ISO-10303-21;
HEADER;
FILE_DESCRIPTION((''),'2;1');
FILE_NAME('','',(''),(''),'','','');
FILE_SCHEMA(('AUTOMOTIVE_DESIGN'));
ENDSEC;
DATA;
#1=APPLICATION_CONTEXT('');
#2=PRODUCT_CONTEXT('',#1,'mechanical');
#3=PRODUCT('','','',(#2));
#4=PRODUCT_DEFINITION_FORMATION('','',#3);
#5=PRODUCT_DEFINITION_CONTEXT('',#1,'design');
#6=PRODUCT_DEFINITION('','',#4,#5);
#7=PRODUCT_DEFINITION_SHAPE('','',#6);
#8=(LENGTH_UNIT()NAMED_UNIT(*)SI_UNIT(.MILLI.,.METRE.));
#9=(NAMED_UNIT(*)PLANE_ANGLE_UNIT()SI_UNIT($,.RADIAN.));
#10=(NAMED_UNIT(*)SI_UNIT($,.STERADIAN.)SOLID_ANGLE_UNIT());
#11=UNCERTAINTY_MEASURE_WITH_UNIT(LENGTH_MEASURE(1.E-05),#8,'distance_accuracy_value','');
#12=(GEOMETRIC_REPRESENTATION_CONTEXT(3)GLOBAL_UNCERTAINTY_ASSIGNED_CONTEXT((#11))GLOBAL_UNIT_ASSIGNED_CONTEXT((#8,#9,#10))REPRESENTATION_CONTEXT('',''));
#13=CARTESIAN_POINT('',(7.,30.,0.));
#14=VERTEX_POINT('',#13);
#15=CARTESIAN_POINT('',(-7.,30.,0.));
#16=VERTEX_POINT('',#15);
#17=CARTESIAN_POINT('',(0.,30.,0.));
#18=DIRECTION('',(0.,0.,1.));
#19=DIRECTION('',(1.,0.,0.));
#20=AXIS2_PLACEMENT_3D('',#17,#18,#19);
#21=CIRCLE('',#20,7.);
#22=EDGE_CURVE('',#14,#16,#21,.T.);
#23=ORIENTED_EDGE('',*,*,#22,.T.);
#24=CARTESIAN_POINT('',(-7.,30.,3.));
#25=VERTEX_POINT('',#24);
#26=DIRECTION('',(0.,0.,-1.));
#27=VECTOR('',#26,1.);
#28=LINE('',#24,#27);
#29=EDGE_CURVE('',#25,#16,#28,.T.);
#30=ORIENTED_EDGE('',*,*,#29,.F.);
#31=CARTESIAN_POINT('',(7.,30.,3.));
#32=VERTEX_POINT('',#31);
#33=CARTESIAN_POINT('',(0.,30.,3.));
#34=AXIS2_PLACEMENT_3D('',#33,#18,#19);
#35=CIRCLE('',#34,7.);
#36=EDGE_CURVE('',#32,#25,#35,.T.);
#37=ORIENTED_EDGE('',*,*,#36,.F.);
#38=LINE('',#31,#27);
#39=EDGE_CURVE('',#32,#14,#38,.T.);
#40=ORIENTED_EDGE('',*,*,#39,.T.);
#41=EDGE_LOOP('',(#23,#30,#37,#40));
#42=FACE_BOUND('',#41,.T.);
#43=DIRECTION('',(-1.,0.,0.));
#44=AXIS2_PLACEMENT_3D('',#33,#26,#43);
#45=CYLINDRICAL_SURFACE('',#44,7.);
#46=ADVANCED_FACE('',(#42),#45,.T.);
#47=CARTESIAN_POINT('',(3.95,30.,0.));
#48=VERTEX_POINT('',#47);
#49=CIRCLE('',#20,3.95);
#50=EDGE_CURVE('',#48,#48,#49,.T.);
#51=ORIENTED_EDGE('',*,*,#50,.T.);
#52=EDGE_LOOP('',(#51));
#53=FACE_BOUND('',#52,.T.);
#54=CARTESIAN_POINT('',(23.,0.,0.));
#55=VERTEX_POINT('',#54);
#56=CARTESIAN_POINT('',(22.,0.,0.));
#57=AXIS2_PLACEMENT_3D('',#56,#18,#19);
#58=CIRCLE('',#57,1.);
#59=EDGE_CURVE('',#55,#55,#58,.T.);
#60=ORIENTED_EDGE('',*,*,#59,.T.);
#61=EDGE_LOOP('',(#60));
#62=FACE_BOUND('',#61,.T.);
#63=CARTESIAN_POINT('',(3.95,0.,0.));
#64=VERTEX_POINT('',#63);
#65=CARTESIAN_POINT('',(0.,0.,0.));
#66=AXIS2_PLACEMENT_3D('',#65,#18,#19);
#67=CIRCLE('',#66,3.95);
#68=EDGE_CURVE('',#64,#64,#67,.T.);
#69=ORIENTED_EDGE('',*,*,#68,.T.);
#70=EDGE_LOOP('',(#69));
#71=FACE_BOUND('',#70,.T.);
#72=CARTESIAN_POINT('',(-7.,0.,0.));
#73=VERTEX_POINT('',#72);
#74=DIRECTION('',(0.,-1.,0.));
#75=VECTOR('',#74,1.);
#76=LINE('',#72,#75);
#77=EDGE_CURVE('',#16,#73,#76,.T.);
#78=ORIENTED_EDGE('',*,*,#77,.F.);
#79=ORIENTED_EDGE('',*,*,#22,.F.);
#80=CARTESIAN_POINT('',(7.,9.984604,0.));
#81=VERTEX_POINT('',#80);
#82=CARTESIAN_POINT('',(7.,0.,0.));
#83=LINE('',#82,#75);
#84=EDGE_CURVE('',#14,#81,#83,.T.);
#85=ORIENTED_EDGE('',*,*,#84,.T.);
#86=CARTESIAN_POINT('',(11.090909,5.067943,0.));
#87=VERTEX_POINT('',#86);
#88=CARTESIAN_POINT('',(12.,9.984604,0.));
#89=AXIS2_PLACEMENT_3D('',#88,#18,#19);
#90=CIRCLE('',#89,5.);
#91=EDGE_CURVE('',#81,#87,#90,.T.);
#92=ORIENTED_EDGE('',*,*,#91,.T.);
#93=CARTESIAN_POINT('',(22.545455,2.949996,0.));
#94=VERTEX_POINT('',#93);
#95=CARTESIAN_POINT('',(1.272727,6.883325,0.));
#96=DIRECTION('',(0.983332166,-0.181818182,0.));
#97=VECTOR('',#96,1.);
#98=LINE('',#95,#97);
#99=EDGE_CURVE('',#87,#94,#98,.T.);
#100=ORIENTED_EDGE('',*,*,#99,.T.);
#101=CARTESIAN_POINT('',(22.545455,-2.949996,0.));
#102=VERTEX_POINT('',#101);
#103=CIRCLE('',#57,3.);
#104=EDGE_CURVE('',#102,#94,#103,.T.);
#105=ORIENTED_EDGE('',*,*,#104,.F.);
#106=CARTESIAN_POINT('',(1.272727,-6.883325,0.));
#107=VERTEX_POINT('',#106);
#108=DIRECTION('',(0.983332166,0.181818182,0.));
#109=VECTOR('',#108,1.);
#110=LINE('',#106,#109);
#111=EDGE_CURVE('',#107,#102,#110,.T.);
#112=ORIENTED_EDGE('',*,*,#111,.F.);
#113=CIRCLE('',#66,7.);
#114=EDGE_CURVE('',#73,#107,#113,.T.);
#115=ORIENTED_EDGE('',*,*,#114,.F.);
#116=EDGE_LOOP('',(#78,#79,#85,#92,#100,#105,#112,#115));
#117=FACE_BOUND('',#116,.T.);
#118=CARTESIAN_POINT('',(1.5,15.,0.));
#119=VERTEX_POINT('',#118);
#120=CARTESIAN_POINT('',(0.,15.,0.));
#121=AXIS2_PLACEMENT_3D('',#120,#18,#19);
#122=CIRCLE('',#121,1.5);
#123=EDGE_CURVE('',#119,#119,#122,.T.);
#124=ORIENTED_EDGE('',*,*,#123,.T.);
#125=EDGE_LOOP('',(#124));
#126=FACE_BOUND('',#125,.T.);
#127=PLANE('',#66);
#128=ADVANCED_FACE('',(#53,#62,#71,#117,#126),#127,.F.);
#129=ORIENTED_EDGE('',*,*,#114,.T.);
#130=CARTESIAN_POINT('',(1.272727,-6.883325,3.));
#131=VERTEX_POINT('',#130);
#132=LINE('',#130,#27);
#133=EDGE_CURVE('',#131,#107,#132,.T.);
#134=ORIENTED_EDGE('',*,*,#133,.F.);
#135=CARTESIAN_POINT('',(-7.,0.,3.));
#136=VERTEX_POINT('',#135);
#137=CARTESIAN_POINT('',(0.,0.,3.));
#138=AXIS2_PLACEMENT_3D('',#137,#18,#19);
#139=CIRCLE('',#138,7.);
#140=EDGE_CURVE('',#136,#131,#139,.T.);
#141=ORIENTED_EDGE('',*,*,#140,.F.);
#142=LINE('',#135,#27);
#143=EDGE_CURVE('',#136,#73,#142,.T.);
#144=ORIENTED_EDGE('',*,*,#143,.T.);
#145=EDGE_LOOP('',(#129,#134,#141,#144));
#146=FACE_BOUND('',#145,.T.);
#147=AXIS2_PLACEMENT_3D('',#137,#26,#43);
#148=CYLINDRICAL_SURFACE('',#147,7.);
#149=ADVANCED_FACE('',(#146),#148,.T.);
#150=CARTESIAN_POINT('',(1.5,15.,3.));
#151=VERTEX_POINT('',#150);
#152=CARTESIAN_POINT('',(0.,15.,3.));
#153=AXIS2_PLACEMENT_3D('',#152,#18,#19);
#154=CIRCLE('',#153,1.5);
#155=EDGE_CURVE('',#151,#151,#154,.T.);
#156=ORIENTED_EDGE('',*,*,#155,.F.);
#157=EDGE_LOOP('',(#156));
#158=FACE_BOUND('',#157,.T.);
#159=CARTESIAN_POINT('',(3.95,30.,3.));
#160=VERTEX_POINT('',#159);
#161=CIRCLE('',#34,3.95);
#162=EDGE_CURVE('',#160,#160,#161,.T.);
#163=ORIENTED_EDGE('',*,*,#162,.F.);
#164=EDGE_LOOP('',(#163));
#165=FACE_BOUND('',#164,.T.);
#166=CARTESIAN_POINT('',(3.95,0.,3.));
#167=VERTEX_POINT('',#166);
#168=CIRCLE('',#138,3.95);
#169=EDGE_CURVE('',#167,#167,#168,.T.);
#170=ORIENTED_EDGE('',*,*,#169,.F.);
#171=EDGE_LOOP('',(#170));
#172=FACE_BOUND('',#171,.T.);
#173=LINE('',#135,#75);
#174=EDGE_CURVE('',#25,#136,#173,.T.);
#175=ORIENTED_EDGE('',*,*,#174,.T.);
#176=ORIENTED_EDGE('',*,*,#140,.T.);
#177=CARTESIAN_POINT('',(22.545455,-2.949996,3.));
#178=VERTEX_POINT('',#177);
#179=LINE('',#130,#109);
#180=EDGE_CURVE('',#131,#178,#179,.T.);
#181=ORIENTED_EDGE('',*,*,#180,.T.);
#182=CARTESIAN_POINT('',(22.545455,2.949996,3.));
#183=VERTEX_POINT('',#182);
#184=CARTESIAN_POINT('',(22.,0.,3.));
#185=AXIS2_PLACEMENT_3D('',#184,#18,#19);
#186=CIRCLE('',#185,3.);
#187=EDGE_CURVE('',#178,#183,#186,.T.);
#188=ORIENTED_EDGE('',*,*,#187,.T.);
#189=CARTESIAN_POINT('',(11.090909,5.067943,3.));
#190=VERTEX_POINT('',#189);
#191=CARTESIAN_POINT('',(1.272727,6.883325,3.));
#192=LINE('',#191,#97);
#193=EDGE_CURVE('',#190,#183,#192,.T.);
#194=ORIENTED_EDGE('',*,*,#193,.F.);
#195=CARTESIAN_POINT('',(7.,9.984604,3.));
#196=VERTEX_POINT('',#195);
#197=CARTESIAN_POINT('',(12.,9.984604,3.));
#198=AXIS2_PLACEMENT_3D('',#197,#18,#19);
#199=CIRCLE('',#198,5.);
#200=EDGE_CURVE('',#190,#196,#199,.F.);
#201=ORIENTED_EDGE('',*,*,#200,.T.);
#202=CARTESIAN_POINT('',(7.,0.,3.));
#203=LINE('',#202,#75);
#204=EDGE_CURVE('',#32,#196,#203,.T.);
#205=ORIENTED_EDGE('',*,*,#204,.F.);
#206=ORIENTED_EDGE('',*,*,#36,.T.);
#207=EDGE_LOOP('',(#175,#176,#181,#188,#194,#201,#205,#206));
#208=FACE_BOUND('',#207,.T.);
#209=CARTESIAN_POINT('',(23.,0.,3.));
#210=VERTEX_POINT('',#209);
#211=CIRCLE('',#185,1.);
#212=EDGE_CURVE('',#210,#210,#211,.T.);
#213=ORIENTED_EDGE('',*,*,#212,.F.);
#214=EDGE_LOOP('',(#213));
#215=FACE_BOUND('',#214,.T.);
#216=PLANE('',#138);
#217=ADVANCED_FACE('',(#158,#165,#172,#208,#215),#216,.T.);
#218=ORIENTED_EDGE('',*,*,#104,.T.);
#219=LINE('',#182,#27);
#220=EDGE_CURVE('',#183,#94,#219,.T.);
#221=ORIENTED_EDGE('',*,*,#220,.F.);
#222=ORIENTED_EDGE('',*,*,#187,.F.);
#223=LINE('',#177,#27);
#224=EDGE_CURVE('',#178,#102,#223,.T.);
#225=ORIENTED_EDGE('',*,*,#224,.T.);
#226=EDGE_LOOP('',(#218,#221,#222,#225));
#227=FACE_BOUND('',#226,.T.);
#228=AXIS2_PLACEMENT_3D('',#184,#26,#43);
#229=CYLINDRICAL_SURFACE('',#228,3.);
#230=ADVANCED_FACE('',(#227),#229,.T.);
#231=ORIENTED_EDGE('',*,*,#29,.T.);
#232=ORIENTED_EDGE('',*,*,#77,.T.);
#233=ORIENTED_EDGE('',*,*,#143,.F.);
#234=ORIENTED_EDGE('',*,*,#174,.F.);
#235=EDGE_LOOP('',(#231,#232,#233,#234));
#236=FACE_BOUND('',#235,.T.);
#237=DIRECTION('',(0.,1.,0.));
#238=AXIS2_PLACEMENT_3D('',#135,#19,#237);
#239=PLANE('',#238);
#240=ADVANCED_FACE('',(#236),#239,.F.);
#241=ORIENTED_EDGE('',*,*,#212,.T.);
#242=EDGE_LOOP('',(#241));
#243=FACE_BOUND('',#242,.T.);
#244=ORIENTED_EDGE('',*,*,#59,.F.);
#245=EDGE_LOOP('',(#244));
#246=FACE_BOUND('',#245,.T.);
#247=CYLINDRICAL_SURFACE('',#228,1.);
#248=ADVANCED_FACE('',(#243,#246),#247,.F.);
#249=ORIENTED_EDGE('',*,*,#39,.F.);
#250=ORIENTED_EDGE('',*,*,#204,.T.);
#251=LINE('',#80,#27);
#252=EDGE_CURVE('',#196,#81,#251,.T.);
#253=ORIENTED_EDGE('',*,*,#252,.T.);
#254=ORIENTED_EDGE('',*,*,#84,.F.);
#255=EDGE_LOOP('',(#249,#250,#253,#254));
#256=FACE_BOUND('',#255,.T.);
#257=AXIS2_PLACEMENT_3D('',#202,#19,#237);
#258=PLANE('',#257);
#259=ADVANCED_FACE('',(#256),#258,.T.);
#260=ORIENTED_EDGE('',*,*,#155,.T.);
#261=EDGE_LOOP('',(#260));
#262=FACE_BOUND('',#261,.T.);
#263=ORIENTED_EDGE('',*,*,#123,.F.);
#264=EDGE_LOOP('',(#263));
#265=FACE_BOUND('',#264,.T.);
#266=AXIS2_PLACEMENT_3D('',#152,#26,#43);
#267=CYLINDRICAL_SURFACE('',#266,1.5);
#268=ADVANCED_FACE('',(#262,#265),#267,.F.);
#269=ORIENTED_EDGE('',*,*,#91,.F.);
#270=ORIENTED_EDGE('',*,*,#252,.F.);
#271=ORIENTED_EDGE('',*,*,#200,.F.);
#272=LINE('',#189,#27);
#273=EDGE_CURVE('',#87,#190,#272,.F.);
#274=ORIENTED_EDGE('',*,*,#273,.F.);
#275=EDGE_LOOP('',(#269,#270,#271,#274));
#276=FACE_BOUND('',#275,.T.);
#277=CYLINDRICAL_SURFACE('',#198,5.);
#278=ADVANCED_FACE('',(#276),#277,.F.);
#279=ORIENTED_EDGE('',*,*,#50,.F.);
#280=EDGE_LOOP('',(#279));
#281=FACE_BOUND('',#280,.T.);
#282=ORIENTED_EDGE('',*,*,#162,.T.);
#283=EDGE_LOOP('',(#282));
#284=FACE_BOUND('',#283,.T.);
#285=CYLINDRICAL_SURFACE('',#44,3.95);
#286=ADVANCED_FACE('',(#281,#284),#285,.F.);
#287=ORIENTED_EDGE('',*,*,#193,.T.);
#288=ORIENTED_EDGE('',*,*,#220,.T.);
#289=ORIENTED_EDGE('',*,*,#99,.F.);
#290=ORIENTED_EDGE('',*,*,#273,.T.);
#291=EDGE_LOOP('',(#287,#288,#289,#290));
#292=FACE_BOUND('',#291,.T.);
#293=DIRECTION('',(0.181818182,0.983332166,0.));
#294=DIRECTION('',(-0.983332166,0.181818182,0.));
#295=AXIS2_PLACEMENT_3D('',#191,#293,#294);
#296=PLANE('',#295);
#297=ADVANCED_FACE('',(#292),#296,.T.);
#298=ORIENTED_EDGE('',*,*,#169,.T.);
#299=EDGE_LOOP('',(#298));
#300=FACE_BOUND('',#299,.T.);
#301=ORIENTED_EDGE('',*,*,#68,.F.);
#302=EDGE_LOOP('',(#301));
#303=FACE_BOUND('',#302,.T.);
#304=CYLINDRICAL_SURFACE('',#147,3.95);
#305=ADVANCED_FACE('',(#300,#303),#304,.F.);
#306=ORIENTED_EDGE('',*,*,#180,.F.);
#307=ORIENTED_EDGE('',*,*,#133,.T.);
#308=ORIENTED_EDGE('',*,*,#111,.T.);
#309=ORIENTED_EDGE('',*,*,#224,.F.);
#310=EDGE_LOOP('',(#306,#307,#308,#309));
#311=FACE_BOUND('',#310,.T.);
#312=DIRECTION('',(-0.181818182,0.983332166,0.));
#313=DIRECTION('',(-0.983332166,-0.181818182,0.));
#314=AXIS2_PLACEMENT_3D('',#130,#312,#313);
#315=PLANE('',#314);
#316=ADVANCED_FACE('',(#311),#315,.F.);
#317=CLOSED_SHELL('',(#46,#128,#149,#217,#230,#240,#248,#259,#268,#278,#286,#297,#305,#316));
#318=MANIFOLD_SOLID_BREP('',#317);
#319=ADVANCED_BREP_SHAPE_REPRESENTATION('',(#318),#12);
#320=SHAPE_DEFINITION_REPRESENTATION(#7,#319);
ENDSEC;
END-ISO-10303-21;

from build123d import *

# Parameters (mm, degrees)
SKETCH_1_R      = 3.95
SKETCH_1_R_2    = 1.5
SKETCH_1_R_3    = 1
EXTRUDE_1_DEPTH = 3
FILLET_1_R      = 5


with BuildPart() as part:
    # 草图1 → 凸台-拉伸1 (new body)
    with BuildSketch(Plane.XY):
        with BuildLine():
            Line((7, 5.82435206), (7, 30))
            ThreePointArc((7, 30), (0, 37), (-7, 30))
            Line((-7, 30), (-7, 0))
            ThreePointArc((-7, 0), (-4.477215043, -5.380942804), (1.272727273, -6.883325162))
            Line((1.272727273, -6.883325162), (22.545454545, -2.949996498))
            ThreePointArc((22.545454545, -2.949996498), (25, 0), (22.545454545, 2.949996498))
            Line((22.545454545, 2.949996498), (7, 5.82435206))
        make_face()
        Circle(SKETCH_1_R, mode=Mode.SUBTRACT)
        with Locations((0, 15)):
            Circle(SKETCH_1_R_2, mode=Mode.SUBTRACT)
        with Locations((0, 30)):
            Circle(SKETCH_1_R, mode=Mode.SUBTRACT)
        with Locations((22, 0)):
            Circle(SKETCH_1_R_3, mode=Mode.SUBTRACT)
    extrude(amount=EXTRUDE_1_DEPTH)

    # 圆角1
    fillet_1_edges = [part.edges().sort_by_distance(p)[0] for p in [
        (7, 5.82435206, 1.5),
    ]]
    fillet(fillet_1_edges, radius=FILLET_1_R)


solid = part.part
